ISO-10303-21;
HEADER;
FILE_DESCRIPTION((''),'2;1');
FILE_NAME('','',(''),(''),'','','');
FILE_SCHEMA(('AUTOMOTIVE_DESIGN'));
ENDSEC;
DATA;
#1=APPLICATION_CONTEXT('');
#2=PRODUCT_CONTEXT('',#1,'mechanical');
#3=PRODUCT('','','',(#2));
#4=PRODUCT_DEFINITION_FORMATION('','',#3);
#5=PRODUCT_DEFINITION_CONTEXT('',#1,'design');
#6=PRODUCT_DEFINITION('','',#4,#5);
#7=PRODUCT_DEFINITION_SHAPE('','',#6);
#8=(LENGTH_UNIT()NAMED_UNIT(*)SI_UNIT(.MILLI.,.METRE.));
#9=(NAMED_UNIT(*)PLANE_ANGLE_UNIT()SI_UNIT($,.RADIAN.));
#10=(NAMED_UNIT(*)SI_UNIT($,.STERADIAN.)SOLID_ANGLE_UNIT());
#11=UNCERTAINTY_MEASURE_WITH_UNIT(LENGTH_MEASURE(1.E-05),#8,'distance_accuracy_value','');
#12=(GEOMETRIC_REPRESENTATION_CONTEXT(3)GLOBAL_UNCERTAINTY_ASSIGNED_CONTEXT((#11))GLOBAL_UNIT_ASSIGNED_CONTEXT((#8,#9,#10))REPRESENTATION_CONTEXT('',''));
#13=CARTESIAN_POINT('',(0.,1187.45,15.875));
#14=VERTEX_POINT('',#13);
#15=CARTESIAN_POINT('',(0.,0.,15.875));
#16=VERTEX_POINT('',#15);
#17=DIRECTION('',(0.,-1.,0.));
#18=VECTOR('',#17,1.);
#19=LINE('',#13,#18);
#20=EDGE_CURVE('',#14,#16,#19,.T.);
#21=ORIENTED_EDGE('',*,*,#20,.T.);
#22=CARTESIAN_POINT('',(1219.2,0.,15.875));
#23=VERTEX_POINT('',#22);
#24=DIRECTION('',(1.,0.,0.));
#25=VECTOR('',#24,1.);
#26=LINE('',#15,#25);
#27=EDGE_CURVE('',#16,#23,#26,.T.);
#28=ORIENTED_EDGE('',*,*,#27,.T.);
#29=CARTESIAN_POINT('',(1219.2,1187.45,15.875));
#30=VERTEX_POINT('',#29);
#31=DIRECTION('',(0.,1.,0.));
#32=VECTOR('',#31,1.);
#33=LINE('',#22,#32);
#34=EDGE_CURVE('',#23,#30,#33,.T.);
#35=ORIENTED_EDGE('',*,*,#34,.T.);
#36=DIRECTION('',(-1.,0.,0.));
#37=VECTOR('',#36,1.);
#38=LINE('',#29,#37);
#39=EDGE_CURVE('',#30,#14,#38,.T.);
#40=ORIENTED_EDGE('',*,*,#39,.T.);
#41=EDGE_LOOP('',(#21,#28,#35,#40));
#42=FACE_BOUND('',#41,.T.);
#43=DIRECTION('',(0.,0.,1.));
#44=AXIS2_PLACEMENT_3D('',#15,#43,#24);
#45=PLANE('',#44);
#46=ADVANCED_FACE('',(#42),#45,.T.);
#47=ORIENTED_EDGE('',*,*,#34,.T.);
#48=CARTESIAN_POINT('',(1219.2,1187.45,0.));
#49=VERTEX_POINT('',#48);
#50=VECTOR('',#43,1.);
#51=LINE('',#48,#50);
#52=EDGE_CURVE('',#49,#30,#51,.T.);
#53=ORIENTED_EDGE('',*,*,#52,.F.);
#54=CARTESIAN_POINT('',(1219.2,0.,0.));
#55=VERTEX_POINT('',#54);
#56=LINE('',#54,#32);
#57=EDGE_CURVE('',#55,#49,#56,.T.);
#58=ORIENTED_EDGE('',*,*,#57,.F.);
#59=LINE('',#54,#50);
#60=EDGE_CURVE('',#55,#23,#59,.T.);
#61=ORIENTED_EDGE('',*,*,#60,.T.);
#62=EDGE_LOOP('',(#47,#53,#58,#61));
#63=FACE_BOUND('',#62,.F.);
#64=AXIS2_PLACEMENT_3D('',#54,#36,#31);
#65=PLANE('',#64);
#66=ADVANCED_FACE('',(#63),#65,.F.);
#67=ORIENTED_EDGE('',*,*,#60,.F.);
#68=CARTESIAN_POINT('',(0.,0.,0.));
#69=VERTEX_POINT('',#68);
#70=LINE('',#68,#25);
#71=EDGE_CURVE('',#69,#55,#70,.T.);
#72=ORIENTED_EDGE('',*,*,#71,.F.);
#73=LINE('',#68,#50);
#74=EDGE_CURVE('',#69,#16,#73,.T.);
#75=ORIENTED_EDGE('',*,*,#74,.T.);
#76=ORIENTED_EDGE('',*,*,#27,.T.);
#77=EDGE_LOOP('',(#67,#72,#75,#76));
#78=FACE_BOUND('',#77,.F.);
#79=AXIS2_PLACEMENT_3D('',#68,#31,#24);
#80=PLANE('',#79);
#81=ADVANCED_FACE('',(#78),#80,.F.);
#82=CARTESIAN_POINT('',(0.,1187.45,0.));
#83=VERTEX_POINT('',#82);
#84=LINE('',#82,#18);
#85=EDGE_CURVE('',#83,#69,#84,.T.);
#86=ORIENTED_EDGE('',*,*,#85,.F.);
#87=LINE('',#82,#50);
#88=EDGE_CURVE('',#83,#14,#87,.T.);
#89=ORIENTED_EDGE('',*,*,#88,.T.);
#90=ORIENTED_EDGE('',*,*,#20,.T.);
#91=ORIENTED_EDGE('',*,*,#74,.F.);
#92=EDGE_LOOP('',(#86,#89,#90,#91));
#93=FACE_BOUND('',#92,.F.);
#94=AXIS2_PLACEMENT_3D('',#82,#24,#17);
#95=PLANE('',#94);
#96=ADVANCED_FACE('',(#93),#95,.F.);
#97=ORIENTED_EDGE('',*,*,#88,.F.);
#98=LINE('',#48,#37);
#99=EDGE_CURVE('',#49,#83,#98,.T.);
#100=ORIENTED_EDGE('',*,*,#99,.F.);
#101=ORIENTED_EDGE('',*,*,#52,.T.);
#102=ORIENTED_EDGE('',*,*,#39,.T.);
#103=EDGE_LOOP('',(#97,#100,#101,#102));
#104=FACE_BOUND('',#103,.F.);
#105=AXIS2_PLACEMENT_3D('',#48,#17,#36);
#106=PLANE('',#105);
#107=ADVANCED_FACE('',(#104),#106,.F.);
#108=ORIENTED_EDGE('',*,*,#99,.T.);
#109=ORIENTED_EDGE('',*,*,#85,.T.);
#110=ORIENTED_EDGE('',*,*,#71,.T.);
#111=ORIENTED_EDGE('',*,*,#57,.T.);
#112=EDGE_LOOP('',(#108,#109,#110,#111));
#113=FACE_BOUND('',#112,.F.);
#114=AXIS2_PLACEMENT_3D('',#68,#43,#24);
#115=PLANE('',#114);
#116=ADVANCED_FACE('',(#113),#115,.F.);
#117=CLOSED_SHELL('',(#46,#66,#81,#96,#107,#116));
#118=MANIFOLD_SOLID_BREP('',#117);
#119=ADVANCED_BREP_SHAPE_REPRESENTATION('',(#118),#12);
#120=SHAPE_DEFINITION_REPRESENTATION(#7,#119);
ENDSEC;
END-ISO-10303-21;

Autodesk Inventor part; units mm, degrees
ref_plane "YZ Plane" through (0, 0, 0) normal (1, 0, 0) x (0, 1, 0)
ref_plane "XZ Plane" through (0, 0, 0) normal (0, 1, 0) x (-1, 0, 0)
ref_plane "XY Plane" through (0, 0, 0) normal (0, 0, 1) x (1, 0, 0)
sketch "Sketch2" plane through (0, 0, 0) normal (0, 0, 1) x (1, 0, 0)
  line L0 (0, 0) -> (1219.2, 0)
  line L1 (1219.2, 0) -> (1219.2, 1187.45)
  line L2 (1219.2, 1187.45) -> (0, 1187.45)
  line L3 (0, 1187.45) -> (0, 0)
  dimension "d4" = 1219.2
  dimension "d5" = 1187.45
extrude "Extrusion2" add sketch "Sketch2" along normal blind 15.875
properties part number "model 2 floor"
